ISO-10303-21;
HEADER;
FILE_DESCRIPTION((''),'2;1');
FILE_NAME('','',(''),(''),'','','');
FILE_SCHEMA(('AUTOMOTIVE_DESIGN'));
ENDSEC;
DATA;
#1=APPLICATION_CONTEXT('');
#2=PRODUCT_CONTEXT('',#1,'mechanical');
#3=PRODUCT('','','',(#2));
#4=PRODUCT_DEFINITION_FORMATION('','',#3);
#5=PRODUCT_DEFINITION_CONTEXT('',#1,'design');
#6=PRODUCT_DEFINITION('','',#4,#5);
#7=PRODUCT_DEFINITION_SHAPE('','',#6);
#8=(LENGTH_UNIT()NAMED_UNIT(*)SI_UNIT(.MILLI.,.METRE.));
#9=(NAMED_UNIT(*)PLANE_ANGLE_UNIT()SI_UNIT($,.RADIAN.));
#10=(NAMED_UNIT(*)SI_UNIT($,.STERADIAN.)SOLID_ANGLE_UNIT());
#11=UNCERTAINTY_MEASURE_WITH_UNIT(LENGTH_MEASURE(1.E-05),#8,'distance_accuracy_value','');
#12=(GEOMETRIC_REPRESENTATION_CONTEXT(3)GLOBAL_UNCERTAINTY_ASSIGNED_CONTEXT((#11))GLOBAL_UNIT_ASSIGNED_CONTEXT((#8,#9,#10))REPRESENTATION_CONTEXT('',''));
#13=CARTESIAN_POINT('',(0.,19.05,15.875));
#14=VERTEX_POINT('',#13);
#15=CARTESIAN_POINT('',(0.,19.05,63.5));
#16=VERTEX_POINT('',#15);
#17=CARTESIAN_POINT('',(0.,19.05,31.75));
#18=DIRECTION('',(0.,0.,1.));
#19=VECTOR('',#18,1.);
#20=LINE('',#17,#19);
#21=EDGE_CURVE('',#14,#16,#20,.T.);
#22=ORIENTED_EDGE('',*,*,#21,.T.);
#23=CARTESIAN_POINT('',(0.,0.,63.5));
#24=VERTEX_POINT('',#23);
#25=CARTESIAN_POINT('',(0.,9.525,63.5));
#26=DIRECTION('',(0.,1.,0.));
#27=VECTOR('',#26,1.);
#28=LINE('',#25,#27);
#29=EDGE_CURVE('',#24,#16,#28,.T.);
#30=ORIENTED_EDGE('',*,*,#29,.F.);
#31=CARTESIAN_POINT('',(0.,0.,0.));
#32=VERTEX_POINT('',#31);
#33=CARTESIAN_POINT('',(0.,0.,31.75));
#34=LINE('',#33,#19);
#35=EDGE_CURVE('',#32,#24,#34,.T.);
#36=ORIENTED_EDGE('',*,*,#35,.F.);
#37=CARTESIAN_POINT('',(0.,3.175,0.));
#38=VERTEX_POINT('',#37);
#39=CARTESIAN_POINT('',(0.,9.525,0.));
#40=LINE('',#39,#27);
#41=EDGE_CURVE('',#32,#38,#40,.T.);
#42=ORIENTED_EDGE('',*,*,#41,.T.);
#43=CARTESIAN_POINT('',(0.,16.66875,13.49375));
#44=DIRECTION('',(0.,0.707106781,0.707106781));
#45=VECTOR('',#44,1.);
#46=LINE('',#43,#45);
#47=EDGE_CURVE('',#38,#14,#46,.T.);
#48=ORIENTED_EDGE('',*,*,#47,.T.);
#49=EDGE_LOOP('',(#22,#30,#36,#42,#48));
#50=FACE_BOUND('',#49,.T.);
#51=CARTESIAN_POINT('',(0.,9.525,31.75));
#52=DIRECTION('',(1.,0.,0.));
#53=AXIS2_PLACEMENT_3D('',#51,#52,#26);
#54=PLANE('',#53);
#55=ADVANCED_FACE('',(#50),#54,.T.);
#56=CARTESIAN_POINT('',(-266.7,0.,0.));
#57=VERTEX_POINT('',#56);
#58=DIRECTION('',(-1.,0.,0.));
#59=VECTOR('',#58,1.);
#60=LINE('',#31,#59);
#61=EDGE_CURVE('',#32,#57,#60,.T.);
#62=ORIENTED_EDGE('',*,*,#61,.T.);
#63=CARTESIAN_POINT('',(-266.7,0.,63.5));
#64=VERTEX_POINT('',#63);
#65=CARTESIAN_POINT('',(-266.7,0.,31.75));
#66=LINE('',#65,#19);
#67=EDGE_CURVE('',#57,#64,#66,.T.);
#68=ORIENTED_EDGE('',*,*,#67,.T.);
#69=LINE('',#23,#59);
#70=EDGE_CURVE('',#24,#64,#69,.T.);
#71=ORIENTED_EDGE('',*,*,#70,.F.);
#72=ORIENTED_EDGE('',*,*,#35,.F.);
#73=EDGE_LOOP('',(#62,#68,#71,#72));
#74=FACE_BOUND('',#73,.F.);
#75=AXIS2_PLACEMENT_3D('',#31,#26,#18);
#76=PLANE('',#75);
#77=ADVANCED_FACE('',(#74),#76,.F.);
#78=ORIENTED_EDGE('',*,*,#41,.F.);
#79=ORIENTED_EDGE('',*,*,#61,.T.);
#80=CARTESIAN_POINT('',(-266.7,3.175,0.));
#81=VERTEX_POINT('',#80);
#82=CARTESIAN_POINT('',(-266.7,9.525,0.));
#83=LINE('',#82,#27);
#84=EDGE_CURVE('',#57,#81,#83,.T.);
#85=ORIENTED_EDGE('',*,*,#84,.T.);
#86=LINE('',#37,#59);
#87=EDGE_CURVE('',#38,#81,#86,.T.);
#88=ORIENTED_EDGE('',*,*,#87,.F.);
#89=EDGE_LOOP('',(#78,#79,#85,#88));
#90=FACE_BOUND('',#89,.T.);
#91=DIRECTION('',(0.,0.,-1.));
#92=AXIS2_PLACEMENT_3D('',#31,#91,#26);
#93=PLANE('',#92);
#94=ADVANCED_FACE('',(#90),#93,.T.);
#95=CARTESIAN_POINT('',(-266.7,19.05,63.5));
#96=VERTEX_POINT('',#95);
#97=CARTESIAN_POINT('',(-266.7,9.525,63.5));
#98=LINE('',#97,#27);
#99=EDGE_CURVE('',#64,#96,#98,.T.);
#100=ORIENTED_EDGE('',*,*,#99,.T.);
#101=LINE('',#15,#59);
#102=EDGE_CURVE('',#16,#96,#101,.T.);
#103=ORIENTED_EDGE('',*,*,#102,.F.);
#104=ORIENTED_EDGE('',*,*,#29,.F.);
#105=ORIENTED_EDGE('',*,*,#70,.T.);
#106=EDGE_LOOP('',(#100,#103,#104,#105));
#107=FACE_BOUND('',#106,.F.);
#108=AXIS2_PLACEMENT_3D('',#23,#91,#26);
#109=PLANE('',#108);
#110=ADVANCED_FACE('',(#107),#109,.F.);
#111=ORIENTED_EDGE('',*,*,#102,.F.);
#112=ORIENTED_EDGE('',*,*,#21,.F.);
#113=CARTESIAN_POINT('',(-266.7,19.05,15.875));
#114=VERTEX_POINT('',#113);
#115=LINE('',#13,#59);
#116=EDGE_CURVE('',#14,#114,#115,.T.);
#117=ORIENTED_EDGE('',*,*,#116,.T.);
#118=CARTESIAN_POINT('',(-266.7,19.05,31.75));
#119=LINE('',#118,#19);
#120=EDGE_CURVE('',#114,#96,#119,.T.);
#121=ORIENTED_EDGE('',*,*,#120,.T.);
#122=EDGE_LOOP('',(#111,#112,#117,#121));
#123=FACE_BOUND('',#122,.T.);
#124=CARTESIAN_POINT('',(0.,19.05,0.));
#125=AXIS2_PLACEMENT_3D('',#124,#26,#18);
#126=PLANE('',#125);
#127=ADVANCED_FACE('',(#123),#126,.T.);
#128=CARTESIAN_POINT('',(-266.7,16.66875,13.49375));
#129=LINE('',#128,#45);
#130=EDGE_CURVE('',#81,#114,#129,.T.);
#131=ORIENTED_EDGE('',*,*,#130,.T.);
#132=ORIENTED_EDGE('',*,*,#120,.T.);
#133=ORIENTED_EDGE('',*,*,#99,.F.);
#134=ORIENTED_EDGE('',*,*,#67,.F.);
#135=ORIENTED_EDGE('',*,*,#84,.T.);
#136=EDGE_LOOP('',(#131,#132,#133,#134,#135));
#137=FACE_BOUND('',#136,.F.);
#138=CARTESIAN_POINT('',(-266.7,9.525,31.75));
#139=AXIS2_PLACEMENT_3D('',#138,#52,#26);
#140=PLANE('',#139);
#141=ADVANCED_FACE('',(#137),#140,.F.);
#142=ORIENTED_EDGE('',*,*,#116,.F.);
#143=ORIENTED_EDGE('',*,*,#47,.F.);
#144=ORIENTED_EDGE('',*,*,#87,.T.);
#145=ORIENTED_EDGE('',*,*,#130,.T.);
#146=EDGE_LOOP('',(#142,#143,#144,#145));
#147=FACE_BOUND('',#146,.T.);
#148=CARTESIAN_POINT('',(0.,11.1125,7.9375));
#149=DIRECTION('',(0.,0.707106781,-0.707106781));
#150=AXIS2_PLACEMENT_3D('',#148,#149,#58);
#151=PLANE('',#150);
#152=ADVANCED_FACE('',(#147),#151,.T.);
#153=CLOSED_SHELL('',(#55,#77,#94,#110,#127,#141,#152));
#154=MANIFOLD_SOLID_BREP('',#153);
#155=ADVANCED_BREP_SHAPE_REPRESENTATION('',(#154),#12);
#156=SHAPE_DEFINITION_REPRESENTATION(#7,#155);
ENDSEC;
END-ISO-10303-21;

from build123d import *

# Parameters (mm, degrees)
F0_W     = 19.05
F0_H     = 63.5
F1_DEPTH = 266.7
F2_SIZE2 = 15.875
F2_SIZE  = 15.875


with BuildPart() as f1:
    # F0 (on Right) → F1 (new body)
    with BuildSketch(Plane.YZ):
        with Locations((9.525, 31.75)):
            Rectangle(F0_W, F0_H)
    extrude(amount=-F1_DEPTH)

    # F2
    f2_edges = [f1.edges().sort_by_distance(p)[0] for p in [
        (-133.35, 19.05, 0),
    ]]
    chamfer(f2_edges, length=F2_SIZE, length2=F2_SIZE2)


solid = f1.part
